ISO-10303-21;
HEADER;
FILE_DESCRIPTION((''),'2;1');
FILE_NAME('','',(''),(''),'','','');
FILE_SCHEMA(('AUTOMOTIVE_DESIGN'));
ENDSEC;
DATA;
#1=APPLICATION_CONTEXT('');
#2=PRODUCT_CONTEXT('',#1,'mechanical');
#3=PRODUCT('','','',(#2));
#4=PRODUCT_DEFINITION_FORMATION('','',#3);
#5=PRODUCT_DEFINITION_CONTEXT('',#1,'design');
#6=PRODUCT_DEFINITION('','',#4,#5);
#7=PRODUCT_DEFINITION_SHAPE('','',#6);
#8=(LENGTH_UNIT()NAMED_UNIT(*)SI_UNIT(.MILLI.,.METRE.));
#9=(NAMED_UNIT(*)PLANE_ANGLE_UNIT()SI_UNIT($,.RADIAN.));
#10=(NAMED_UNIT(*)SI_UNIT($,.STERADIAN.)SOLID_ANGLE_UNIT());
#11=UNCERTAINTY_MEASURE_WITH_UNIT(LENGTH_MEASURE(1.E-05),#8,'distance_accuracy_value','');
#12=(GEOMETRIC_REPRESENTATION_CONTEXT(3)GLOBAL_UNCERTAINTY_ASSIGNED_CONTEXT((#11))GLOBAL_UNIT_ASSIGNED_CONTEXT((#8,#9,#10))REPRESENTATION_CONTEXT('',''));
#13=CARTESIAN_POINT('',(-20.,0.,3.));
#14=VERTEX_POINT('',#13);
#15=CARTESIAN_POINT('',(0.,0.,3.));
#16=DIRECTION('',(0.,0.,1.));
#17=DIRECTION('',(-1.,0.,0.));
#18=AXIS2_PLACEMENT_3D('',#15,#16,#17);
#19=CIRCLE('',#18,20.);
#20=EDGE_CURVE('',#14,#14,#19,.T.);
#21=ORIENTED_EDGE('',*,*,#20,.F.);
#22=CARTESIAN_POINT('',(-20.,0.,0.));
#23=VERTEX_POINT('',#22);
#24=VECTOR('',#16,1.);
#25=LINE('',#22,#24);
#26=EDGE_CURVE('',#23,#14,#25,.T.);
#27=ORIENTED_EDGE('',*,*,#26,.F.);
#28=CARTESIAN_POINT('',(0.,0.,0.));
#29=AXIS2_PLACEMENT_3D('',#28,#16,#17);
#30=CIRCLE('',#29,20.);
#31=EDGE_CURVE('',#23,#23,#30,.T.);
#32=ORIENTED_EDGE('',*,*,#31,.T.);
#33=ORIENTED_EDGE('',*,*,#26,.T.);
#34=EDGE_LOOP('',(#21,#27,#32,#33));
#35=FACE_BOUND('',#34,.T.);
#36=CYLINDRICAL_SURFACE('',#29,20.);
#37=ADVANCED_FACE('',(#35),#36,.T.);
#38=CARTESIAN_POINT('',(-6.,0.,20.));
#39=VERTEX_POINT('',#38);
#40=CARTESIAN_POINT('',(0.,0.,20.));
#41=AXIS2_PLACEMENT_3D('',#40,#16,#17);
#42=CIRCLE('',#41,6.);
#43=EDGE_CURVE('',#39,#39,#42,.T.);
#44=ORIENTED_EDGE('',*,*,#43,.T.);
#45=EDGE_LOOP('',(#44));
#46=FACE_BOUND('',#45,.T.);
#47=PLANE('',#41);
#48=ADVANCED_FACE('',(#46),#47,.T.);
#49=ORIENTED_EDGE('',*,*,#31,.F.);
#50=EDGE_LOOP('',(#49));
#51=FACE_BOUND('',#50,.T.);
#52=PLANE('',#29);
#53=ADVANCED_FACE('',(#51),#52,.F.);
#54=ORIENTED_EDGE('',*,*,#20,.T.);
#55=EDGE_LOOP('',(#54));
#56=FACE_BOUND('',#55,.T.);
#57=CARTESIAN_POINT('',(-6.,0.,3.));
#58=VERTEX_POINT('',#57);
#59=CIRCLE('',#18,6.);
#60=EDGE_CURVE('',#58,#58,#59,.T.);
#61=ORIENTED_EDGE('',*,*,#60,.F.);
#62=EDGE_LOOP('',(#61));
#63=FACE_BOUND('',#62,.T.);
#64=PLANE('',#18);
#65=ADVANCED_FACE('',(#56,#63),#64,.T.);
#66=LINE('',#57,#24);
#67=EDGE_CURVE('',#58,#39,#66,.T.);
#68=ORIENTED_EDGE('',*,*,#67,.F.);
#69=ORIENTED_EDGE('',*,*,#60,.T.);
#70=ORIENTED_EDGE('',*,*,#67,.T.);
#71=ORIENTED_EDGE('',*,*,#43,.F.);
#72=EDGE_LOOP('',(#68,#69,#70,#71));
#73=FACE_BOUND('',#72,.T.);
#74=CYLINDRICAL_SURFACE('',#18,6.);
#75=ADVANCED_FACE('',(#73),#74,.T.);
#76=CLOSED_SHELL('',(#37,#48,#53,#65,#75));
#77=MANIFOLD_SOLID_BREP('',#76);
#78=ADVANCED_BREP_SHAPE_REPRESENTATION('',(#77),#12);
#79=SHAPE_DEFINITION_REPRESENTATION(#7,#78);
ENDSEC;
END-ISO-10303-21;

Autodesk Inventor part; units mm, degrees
ref_plane "YZ Plane" through (0, 0, 0) normal (1, 0, 0) x (0, 1, 0)
ref_plane "XZ Plane" through (0, 0, 0) normal (0, 1, 0) x (-1, 0, 0)
ref_plane "XY Plane" through (0, 0, 0) normal (0, 0, 1) x (1, 0, 0)
sketch "Sketch4" plane through (0, 0, 0) normal (0, 1, 0) x (-1, 0, 0)
  line L0 (0, 0) -> (0, 13.7009) construction
  line L1 (0, 0) -> (20, 0)
  line L2 (20, 0) -> (20, 3)
  line L3 (20, 3) -> (6, 3)
  line L4 (6, 3) -> (6, 20)
  line L5 (6, 20) -> (0, 20)
  line L6 (0, 20) -> (0, 0)
  dimension "d1" = 20
  dimension "d2" = 6
  dimension "d3" = 20
  dimension "d4" = 3
revolve "Revolution1" add sketch "Sketch4" angle 360 about axis through (0, 0, 0) along (0, 0, 1)
properties part number "CYLINDER"
